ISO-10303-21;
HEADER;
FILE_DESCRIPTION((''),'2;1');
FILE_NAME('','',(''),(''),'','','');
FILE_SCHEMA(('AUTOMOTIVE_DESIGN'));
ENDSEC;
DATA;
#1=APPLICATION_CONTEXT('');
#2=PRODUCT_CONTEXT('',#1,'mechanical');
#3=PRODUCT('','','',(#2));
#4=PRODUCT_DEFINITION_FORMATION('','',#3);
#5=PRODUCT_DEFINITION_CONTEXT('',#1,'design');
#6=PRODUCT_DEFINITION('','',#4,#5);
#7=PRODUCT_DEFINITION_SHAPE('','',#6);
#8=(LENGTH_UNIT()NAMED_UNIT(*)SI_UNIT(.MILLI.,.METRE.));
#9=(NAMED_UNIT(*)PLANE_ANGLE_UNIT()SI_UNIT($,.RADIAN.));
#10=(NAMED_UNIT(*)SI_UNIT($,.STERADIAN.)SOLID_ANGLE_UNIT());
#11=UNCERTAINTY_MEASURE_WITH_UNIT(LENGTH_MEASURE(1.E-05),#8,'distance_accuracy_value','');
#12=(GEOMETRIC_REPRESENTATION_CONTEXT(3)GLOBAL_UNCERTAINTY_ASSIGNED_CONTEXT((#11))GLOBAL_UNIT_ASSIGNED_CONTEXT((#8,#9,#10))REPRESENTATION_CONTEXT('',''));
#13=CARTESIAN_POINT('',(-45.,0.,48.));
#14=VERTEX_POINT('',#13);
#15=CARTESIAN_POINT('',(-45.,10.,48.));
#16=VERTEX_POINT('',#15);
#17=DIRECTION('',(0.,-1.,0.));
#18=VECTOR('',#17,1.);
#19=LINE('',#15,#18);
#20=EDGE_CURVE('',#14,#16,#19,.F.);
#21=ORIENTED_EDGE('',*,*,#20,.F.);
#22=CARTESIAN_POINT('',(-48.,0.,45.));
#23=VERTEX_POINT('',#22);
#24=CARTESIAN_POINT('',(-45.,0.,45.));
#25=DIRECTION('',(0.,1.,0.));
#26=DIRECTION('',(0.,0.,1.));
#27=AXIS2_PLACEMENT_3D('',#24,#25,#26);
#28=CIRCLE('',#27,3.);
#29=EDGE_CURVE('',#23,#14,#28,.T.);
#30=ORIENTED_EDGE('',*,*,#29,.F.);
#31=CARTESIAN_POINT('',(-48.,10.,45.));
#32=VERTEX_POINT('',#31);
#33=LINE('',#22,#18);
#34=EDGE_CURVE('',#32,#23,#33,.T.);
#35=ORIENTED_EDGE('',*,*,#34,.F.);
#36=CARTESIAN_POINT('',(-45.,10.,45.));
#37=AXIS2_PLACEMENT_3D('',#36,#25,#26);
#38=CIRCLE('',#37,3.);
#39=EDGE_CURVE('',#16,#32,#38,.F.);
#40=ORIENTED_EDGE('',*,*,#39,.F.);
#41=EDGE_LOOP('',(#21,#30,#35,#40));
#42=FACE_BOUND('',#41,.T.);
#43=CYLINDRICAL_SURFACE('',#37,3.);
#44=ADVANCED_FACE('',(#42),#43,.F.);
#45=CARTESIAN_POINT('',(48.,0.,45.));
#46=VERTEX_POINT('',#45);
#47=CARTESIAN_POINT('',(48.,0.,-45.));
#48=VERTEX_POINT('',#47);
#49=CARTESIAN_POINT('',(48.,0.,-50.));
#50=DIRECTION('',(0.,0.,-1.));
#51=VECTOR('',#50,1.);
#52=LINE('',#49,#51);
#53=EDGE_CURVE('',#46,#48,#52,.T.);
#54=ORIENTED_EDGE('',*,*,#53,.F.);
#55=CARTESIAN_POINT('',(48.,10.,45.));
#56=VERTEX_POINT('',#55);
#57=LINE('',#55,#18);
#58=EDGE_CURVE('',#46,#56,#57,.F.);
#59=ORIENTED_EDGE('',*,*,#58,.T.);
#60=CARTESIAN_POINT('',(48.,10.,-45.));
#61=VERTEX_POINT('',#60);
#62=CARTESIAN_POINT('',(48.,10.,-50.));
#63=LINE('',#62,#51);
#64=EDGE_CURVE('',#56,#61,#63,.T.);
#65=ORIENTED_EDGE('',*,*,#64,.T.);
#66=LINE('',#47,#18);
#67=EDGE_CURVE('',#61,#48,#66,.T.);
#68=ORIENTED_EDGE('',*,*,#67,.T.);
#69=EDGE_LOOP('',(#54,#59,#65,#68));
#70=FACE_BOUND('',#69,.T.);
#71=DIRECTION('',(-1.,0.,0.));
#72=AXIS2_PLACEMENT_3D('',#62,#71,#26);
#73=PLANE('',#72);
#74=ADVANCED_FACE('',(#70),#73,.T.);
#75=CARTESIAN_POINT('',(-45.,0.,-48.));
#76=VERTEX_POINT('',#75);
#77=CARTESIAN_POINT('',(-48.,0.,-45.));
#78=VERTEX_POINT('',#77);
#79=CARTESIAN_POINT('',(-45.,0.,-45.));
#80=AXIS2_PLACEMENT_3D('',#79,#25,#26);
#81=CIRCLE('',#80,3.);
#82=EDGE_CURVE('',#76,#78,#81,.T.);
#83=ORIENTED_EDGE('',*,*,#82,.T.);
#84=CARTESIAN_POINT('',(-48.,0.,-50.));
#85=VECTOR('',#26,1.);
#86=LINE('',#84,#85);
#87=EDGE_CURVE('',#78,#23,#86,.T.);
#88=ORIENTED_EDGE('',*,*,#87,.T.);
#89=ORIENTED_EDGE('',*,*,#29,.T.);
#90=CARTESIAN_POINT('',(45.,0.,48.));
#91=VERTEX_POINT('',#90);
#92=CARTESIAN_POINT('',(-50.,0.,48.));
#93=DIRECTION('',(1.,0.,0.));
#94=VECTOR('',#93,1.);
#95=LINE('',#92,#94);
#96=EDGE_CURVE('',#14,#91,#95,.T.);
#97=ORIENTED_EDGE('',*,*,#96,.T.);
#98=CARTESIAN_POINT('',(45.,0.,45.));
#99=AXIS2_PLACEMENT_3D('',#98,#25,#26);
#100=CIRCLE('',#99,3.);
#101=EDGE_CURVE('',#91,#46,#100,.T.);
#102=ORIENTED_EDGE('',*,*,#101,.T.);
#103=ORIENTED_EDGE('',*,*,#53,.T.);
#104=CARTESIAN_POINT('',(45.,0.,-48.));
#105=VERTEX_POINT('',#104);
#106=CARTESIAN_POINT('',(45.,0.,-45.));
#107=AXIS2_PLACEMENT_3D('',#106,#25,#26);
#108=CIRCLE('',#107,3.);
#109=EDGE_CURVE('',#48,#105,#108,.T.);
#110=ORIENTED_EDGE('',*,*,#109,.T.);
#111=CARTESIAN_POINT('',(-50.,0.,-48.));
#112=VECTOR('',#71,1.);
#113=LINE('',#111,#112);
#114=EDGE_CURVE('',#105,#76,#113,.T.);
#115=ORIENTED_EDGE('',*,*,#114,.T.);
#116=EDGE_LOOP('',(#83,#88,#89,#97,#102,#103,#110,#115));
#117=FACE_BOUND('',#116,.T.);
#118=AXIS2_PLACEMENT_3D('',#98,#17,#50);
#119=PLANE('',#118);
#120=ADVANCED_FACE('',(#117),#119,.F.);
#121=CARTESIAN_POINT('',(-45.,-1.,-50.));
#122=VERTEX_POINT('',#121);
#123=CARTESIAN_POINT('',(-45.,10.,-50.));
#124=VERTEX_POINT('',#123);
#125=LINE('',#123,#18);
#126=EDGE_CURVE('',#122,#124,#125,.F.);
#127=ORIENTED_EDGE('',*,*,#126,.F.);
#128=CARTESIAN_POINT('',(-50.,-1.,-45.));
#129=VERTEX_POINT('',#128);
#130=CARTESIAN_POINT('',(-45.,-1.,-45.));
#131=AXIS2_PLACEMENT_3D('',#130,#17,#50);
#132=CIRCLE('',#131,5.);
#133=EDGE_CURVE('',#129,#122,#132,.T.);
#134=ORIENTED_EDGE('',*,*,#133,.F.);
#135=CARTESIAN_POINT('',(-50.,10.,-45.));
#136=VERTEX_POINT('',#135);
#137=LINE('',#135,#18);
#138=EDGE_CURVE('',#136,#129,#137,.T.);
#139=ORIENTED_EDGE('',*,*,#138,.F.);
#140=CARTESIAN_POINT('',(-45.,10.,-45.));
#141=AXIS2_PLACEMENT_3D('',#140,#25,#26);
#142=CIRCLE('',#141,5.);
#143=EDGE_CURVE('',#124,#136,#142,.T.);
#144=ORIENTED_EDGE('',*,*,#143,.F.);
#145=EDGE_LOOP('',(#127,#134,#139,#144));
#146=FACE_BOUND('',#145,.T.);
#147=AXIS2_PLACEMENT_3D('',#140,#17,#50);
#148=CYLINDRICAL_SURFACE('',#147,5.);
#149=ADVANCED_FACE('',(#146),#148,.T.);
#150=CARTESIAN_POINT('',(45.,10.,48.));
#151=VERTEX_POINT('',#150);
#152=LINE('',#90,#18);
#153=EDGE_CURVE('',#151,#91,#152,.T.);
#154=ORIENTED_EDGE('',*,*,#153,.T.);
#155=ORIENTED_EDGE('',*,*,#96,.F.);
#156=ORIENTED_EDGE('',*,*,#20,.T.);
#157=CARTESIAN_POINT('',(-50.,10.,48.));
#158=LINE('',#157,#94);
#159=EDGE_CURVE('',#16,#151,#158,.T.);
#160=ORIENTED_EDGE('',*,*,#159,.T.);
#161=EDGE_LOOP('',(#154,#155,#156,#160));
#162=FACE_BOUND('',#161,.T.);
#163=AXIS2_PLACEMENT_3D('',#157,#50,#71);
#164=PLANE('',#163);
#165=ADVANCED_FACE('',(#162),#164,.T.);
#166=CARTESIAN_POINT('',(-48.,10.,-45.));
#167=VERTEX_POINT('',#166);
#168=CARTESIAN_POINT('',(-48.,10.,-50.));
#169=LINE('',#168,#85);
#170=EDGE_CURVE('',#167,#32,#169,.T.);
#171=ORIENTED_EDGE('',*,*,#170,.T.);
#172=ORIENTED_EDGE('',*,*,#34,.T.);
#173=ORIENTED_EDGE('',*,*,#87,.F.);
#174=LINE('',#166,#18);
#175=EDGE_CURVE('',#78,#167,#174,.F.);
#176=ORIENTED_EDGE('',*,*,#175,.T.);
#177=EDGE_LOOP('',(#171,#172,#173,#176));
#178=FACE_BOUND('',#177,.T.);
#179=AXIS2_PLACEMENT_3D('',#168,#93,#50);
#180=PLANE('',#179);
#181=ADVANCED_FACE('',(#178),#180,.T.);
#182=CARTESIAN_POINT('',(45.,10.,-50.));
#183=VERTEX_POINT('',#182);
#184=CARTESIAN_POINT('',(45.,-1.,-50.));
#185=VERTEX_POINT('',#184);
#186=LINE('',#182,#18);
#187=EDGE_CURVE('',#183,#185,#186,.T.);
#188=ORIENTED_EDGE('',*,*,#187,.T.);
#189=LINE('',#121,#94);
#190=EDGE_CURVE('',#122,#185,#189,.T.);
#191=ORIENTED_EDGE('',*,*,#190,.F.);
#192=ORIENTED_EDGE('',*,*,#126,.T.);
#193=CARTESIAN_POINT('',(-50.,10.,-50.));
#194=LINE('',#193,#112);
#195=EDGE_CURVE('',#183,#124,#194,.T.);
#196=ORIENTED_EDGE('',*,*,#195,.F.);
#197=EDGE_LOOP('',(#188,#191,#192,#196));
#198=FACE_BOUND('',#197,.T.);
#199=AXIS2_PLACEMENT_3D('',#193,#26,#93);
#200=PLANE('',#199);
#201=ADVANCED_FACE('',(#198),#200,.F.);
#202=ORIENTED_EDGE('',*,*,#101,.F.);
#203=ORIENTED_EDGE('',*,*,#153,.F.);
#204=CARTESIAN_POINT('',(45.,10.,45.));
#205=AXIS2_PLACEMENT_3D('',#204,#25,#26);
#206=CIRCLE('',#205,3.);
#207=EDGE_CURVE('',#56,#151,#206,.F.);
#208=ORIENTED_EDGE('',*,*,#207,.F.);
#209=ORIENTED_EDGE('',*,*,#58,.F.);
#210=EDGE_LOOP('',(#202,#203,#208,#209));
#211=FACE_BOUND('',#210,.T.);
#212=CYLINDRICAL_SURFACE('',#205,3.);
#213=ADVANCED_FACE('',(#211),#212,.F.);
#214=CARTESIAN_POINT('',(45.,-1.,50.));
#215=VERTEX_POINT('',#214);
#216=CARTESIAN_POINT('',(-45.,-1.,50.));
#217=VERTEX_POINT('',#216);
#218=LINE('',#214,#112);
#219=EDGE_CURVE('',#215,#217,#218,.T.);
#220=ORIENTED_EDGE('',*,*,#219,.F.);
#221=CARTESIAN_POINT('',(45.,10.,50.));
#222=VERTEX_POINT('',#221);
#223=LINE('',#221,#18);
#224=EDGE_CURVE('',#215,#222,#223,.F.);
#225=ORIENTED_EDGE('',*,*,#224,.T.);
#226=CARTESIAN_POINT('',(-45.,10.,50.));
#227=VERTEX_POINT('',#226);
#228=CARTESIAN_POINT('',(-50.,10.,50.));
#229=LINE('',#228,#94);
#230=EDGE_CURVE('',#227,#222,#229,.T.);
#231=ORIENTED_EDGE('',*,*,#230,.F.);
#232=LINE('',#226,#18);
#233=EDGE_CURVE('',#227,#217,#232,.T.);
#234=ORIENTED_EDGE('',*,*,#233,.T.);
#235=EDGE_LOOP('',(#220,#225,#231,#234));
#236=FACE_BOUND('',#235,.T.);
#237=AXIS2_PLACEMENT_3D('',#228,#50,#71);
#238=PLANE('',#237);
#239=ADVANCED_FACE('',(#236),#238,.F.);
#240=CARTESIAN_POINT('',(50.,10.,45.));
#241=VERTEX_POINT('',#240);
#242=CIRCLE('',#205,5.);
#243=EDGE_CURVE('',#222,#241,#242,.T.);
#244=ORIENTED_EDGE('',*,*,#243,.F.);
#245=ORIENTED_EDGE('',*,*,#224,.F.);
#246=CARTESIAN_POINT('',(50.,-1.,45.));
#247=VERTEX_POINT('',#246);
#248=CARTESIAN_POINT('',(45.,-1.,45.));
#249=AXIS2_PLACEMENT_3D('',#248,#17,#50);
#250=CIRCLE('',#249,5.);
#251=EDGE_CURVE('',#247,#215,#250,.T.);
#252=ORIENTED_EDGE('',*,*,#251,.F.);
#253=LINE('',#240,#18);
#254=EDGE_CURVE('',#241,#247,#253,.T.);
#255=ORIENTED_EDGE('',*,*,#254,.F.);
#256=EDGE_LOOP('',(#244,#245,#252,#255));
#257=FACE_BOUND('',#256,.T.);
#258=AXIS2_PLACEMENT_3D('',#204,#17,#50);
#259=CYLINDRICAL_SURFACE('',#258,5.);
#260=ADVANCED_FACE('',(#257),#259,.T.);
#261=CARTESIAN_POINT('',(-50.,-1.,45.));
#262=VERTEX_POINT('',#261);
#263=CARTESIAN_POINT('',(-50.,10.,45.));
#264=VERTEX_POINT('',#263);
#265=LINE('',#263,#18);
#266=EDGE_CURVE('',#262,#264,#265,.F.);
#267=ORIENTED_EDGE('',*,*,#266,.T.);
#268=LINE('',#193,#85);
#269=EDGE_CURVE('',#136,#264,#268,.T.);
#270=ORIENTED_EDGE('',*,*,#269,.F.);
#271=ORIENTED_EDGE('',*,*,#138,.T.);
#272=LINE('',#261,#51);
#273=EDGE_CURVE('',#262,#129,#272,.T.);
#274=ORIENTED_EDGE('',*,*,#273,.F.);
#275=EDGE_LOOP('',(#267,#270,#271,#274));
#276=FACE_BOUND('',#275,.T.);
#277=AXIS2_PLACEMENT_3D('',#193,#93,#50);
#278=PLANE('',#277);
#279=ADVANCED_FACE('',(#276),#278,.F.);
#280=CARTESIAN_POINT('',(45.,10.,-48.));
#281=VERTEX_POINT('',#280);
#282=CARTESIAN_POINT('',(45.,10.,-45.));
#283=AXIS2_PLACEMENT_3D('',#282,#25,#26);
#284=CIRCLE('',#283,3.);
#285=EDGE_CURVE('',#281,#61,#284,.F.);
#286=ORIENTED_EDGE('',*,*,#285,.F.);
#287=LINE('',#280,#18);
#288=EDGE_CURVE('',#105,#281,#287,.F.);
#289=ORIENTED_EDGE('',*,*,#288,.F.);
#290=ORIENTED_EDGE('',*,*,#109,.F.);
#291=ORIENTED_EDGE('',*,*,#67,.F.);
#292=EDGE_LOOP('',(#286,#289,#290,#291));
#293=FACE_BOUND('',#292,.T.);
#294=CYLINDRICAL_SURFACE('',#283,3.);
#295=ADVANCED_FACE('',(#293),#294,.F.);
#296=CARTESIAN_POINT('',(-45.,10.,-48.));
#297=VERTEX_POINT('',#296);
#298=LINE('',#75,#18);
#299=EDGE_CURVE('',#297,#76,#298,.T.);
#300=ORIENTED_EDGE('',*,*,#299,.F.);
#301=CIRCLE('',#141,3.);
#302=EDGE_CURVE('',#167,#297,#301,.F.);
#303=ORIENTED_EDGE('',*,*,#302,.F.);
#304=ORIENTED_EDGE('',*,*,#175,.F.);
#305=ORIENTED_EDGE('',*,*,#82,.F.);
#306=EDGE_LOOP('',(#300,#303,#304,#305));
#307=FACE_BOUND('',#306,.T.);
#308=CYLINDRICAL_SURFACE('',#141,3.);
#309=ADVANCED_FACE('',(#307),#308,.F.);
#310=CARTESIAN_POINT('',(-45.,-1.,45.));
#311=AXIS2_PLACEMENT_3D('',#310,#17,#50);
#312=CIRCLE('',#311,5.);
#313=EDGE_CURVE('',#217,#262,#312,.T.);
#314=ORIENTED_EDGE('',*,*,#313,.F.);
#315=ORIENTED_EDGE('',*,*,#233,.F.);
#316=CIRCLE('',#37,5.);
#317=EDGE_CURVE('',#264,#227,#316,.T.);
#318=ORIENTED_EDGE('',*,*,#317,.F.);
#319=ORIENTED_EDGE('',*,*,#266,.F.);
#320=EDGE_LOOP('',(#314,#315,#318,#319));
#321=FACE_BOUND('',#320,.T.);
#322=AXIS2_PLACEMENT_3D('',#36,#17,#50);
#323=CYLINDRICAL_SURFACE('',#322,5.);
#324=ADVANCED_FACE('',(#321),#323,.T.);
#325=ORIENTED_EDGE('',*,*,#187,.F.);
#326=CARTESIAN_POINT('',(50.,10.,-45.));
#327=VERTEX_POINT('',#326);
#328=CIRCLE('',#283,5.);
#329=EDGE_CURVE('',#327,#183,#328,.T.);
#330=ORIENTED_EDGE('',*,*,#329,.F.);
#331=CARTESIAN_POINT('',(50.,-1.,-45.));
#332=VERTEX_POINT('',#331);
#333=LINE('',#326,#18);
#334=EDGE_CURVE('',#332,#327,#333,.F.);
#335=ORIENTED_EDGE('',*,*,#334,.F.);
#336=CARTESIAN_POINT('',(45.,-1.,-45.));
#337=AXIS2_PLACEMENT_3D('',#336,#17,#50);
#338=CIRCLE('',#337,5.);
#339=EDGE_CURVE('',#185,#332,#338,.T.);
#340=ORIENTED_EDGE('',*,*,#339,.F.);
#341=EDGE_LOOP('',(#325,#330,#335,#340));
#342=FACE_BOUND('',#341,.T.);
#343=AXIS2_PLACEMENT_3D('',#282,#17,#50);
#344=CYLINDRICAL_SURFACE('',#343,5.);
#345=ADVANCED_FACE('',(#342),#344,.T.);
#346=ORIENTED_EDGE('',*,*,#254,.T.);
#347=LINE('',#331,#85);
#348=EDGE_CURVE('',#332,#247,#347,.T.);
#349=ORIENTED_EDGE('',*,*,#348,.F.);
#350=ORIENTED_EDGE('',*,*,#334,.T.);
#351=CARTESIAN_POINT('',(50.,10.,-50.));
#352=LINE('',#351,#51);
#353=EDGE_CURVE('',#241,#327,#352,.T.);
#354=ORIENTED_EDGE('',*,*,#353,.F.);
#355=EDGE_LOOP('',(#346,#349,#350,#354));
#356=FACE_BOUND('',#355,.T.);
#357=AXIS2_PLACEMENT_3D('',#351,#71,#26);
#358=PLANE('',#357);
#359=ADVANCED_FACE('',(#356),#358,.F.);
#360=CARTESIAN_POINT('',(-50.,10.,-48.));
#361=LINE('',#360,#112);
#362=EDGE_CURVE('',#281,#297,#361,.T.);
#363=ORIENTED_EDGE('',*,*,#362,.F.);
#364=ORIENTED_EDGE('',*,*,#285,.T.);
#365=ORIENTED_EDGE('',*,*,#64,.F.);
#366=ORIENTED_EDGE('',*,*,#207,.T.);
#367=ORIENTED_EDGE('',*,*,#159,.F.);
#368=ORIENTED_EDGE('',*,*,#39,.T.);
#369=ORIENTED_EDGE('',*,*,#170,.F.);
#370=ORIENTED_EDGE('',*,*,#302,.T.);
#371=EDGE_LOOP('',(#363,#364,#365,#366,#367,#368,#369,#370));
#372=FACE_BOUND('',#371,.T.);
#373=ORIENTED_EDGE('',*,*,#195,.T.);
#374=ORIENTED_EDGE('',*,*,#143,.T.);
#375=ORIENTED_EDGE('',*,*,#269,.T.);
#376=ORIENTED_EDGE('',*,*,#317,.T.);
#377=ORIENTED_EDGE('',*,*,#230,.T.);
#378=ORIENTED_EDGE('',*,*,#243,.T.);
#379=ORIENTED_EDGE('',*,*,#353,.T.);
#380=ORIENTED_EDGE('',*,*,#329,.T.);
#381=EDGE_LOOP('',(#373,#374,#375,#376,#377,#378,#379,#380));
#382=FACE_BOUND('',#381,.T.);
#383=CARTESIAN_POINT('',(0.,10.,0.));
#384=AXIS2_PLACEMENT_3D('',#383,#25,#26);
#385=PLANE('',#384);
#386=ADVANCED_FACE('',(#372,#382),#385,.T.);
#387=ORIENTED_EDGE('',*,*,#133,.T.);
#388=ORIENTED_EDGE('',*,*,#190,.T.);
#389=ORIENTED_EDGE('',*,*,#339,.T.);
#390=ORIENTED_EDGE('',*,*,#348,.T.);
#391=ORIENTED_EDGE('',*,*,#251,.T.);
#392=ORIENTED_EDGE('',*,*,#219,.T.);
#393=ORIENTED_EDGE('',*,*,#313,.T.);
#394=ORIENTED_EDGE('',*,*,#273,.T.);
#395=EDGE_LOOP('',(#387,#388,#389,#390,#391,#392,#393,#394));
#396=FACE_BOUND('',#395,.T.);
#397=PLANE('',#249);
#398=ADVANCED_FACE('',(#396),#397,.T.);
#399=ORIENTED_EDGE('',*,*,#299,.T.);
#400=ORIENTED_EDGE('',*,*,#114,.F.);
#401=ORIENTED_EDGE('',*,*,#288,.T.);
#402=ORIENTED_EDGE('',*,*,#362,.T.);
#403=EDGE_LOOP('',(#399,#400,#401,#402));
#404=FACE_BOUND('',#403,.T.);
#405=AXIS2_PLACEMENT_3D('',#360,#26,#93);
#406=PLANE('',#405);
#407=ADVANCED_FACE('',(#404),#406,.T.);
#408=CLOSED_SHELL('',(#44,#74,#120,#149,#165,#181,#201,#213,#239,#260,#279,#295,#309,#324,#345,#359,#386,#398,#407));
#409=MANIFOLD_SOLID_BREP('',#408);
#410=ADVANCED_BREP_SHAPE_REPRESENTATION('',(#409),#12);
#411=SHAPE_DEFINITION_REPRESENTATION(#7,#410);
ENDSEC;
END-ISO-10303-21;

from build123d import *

# Parameters (mm, degrees)
SKETCH1_W           = 100
SKETCH1_H           = 100
SKETCH1_W_2         = 96
SKETCH1_H_2         = 96
EXTRUDE_THIN1_DEPTH = 10
FILLET1_R           = 5
FILLET2_R           = 3
BOSS_EXTRUDE1_DEPTH = 1


with BuildPart() as part:
    # Sketch1 → Extrude-Thin1 (new body)
    with BuildSketch(Plane(origin=(0, 0, 0), x_dir=(1, 0, 0), z_dir=(0, 1, 0))):
        Rectangle(SKETCH1_W, SKETCH1_H)
        Rectangle(SKETCH1_W_2, SKETCH1_H_2, mode=Mode.SUBTRACT)
    extrude(amount=EXTRUDE_THIN1_DEPTH)

    # Fillet1
    fillet1_edges = [part.edges().sort_by_distance(p)[0] for p in [
        (50, 5, 50),
        (-50, 5, 50),
        (-50, 5, -50),
        (50, 5, -50),
    ]]
    fillet(fillet1_edges, radius=FILLET1_R)

    # Fillet2
    fillet2_edges = [part.edges().sort_by_distance(p)[0] for p in [
        (48, 5, 48),
        (48, 5, -48),
        (-48, 5, -48),
        (-48, 5, 48),
    ]]
    fillet(fillet2_edges, radius=FILLET2_R)

    # Sketch2 → Boss-Extrude1 (add)
    with BuildSketch(Plane.XZ):
        with BuildLine():
            Line((45, 50), (-45, 50))
            ThreePointArc((-45, 50), (-48.535533906, 48.535533906), (-50, 45))
            Line((-50, 45), (-50, -45))
            ThreePointArc((-50, -45), (-48.535533906, -48.535533906), (-45, -50))
            Line((-45, -50), (45, -50))
            ThreePointArc((45, -50), (48.535533906, -48.535533906), (50, -45))
            Line((50, -45), (50, 45))
            ThreePointArc((50, 45), (48.535533906, 48.535533906), (45, 50))
        make_face()
    extrude(amount=BOSS_EXTRUDE1_DEPTH)


solid = part.part
